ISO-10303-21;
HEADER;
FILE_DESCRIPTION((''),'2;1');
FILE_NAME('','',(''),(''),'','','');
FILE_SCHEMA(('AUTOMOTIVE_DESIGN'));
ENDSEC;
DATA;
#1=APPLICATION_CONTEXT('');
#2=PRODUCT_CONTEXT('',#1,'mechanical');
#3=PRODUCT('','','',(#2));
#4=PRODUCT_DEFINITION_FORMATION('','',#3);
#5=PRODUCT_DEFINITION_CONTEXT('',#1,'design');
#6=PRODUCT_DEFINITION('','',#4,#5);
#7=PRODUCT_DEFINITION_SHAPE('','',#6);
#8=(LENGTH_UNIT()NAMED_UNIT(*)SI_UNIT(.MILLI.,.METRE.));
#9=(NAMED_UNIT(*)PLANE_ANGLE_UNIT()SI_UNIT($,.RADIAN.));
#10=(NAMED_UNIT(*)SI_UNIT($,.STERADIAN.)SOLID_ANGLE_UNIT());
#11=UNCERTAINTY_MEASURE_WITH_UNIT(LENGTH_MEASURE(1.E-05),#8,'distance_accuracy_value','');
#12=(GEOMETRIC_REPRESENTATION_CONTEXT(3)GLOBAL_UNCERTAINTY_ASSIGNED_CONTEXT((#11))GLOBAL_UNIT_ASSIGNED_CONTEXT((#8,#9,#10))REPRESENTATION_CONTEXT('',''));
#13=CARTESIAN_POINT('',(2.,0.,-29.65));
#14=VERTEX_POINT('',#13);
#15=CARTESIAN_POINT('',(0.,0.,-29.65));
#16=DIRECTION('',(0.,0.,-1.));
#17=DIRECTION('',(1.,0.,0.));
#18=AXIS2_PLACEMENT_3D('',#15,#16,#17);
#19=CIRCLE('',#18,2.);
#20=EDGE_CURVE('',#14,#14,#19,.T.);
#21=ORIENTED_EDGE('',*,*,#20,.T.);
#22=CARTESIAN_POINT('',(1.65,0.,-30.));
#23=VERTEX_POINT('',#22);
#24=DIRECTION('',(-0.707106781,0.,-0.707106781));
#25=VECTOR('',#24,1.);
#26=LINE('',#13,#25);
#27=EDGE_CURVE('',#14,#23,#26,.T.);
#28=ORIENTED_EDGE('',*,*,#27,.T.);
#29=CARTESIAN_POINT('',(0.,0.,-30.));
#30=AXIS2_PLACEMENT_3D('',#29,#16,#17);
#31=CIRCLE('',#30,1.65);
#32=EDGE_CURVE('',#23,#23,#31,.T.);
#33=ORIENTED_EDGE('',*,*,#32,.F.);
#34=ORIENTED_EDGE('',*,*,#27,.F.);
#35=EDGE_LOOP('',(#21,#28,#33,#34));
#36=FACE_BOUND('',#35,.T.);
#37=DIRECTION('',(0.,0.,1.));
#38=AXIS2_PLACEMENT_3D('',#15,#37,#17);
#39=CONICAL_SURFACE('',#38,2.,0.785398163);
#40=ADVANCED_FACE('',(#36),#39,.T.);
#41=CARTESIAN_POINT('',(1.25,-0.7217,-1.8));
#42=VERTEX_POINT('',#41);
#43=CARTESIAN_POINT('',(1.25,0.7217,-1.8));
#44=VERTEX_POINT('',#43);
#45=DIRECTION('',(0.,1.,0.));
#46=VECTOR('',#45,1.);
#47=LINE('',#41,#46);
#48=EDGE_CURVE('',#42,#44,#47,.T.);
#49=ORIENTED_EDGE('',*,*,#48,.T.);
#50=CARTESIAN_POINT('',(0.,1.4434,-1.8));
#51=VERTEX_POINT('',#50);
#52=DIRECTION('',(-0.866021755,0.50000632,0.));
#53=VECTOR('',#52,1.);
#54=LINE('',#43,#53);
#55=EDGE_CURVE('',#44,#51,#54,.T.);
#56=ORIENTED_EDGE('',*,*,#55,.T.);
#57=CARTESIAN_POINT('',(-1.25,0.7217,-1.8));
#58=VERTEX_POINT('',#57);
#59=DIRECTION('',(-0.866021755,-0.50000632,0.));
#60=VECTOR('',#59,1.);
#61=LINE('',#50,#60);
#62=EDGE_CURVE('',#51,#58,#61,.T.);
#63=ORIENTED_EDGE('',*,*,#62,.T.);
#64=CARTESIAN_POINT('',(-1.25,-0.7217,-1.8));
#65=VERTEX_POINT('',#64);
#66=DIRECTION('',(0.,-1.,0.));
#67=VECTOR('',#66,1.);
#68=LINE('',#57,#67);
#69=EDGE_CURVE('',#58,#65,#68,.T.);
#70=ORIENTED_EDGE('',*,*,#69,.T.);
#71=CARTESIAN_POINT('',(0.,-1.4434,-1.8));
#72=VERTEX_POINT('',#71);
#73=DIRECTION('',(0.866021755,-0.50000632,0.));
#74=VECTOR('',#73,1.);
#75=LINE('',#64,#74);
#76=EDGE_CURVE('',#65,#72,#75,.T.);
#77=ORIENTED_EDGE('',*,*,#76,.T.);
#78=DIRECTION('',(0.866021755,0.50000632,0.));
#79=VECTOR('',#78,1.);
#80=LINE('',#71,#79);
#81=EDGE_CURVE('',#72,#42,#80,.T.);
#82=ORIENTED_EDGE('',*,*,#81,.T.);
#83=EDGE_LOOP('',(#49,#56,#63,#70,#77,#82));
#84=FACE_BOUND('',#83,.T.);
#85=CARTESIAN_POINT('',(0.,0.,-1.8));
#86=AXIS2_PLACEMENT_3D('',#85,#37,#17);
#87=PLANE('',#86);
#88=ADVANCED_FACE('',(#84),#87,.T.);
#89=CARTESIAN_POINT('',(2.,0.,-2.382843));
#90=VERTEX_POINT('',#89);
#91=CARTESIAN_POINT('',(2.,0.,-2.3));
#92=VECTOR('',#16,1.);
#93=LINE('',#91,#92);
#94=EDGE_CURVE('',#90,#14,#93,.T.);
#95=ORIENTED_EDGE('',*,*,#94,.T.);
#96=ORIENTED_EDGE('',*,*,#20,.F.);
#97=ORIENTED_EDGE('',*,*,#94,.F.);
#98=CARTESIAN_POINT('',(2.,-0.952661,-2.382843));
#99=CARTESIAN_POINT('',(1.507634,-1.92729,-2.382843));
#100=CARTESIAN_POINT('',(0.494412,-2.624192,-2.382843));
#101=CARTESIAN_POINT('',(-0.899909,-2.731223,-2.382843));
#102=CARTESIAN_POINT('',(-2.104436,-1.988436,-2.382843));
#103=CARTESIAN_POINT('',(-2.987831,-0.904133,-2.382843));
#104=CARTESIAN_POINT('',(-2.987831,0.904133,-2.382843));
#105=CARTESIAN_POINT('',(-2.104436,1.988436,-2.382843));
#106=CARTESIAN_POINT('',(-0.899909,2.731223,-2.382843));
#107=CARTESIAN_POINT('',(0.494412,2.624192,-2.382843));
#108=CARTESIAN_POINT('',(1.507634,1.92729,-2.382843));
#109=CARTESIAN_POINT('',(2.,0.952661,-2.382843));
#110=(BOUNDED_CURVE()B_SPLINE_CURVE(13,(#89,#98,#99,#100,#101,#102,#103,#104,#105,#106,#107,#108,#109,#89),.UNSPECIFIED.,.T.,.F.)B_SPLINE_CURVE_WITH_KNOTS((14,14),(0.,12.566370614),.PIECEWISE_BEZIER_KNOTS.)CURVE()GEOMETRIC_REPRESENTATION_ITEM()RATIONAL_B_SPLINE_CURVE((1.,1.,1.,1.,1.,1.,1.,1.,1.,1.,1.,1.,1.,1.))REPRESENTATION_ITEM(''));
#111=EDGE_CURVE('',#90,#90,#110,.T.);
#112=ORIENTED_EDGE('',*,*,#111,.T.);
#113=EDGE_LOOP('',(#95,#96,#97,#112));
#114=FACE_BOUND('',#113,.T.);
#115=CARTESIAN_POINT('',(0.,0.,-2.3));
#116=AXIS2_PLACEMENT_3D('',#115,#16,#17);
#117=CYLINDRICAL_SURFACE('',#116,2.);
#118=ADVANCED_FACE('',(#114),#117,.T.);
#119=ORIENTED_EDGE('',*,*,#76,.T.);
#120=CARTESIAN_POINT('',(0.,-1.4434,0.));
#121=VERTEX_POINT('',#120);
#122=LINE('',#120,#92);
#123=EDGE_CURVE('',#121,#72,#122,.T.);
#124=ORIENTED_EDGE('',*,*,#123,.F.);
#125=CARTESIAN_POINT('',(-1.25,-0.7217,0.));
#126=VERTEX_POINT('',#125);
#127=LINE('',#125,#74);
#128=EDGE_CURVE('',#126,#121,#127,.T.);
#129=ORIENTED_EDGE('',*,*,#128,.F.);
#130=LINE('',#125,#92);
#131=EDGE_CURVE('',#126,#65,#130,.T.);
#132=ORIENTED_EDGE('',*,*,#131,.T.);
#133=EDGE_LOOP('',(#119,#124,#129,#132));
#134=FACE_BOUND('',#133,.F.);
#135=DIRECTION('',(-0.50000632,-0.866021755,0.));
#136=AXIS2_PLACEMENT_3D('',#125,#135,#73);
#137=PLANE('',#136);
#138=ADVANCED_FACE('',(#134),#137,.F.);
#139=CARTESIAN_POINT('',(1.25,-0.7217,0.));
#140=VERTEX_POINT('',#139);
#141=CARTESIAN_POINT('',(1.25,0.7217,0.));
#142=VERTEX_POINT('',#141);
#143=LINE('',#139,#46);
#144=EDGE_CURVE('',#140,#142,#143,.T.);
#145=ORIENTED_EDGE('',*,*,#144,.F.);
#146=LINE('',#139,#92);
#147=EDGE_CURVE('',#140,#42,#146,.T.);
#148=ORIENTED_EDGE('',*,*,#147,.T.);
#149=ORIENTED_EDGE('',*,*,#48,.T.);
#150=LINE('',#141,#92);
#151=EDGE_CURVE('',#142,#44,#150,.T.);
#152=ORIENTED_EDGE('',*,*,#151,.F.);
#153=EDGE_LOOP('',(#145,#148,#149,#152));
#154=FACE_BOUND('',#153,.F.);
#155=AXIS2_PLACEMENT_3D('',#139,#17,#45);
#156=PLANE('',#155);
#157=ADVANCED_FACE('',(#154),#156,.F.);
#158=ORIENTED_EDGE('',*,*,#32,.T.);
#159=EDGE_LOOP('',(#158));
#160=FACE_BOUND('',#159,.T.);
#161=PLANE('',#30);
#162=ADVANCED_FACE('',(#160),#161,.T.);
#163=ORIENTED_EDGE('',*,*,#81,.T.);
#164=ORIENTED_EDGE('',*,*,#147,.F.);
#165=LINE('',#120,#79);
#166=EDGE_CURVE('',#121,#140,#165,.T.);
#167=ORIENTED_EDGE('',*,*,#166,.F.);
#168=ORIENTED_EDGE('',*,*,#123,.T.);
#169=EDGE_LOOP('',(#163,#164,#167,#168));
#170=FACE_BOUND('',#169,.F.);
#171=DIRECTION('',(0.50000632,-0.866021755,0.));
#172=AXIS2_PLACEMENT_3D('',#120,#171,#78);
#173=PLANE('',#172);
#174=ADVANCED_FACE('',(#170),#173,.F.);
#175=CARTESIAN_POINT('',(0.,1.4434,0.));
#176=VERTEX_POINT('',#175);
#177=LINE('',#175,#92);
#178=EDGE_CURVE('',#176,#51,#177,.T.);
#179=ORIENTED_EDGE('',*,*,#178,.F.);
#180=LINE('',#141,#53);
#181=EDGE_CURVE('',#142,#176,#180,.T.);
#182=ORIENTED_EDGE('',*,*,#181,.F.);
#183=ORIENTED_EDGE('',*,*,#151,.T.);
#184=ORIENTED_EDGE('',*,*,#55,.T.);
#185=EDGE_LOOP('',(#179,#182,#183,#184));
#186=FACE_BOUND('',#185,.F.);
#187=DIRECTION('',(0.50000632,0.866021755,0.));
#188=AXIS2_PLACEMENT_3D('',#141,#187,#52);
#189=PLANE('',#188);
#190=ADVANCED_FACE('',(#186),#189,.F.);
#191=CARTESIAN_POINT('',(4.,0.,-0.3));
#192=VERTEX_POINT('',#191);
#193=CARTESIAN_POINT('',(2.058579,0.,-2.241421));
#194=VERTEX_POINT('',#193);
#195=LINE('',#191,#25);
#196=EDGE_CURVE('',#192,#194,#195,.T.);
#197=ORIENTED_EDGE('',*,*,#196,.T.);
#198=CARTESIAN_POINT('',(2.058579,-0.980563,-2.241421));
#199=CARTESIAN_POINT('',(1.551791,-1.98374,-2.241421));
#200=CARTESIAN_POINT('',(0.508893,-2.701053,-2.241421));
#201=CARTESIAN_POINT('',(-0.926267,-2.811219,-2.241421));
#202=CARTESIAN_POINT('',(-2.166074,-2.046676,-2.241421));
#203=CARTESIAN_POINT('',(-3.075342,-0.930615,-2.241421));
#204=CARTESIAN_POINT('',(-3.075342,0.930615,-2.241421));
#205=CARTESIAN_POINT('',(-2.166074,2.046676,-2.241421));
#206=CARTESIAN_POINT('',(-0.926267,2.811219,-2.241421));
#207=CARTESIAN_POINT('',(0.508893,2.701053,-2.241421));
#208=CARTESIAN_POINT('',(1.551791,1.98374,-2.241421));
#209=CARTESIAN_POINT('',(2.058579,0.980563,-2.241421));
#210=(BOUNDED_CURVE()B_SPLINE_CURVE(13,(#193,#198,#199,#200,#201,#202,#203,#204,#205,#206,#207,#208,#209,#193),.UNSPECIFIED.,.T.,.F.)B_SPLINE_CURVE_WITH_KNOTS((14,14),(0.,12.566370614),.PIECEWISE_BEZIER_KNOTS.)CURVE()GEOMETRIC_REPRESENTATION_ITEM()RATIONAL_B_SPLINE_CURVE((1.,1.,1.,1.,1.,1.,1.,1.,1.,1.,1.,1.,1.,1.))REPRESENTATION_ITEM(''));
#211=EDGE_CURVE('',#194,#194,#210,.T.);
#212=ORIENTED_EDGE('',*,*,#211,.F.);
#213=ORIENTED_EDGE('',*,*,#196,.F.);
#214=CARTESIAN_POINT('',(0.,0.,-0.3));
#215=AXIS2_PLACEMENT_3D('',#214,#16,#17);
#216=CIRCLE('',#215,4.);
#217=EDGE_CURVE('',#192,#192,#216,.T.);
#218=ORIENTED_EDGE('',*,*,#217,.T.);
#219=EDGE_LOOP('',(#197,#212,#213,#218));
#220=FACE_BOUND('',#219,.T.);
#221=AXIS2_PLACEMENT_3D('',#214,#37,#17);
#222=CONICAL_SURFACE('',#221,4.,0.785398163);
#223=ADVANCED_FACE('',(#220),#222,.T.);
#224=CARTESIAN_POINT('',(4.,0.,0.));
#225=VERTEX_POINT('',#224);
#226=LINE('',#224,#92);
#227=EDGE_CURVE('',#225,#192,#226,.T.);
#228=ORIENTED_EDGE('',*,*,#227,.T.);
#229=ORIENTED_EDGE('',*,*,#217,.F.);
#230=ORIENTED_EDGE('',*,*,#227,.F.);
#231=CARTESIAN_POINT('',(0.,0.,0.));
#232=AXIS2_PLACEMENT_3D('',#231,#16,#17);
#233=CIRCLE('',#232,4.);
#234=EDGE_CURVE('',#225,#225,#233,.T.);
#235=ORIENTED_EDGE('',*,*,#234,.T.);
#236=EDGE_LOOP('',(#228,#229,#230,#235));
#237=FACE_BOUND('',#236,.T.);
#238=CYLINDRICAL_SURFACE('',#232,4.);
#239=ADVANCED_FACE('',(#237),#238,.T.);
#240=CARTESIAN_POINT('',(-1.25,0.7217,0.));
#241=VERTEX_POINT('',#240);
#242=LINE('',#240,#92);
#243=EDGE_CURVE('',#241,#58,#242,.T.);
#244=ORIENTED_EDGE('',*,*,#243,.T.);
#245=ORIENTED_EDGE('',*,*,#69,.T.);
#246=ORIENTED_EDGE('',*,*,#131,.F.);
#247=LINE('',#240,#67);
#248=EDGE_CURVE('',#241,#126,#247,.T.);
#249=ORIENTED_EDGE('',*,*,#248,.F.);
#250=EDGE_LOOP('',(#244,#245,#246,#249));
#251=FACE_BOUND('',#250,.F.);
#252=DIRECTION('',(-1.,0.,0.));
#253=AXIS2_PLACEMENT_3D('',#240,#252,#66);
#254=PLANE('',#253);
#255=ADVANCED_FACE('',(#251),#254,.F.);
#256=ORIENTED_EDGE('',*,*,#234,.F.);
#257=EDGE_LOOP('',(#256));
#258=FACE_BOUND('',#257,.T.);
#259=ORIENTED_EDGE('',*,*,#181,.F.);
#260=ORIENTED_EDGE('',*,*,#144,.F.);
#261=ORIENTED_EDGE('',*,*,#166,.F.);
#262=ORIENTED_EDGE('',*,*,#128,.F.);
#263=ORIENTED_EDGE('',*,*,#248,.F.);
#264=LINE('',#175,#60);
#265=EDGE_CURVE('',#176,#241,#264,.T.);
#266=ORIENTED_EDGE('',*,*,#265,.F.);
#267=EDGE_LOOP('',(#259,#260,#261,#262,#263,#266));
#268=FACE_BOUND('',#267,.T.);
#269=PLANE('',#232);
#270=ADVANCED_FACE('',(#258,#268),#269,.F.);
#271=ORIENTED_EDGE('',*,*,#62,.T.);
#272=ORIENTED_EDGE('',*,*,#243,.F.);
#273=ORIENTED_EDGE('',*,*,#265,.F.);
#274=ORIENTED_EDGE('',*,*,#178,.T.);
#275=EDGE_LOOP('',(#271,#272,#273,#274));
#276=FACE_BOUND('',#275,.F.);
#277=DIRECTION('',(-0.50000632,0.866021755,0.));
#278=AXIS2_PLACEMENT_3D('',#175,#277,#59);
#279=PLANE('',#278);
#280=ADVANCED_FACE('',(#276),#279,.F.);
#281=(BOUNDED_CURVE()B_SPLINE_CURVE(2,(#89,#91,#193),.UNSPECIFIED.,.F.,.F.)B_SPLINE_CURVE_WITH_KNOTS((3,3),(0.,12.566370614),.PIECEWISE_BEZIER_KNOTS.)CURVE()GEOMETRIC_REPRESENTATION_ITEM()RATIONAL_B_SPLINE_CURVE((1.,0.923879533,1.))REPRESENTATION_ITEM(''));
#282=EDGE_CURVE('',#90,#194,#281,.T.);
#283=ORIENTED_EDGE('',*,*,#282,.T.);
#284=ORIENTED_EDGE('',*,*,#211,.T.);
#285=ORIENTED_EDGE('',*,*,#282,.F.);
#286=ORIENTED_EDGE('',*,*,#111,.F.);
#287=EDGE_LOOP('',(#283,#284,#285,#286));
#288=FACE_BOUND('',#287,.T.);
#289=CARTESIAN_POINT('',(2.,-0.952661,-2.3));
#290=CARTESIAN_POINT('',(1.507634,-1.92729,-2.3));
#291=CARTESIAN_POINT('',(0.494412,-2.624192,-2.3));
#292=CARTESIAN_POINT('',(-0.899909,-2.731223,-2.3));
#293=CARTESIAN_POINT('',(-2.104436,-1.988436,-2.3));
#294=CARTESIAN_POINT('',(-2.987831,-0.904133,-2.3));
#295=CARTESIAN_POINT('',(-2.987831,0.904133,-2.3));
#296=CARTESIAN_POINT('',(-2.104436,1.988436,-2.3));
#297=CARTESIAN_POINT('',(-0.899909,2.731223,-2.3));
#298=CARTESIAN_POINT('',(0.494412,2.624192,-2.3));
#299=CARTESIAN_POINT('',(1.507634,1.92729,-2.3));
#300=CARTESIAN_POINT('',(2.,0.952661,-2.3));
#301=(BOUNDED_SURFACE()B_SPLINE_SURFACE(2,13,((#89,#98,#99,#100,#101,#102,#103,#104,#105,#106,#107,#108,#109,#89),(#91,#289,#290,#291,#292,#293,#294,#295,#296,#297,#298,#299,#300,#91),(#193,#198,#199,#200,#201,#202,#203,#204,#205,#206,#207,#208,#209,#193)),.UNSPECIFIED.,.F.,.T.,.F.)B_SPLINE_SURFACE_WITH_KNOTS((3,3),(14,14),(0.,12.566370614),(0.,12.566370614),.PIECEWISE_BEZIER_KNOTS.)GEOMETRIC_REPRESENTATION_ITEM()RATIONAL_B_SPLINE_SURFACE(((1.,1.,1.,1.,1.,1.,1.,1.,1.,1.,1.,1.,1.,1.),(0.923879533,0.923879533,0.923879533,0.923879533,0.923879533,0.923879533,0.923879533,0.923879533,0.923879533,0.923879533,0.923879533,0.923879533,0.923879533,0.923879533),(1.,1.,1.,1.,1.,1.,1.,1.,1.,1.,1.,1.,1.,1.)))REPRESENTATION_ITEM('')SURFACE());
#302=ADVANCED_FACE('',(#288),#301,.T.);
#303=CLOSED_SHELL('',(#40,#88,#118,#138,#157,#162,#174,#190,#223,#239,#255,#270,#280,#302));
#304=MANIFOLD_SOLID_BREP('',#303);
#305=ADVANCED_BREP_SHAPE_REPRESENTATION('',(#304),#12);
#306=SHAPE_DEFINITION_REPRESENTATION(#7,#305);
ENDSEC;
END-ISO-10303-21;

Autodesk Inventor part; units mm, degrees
ref_plane "YZ Plane" through (0, 0, 0) normal (1, 0, 0) x (0, 1, 0)
sketch "Skizze1" plane through (0, 0, 0) normal (0, 1, 0) x (-1, 0, 0)
  point P0 (0, 0)
sketch "Skizze2" plane through (0, 0, 0) normal (0, 1, 0) x (-1, 0, 0)
  line L0 (-2, -30) -> (0, -30)
  line L1 (-2, -2.3) -> (-2, -30)
  line L2 (-4, -0.3) -> (-2, -2.3)
  line L3 (-4, 0) -> (-4, -0.3)
  line L4 (0, 0) -> (-4, 0)
  line L5 (0, -30) -> (0, 0)
  line L6 (0, -30) -> (0, 0)
  line L7 (0, -36) -> (0, 6) projected
  line L8 (0.8, 0) -> (-4.8, 0) projected
  dimension "d3" = 4
  dimension "d5" = 2
  dimension "d7" = 30
  dimension "ParC" = 0.3
  dimension "d22" = 0
  dimension "d23" = 0
  dimension "d43" = 45
revolve "Drehung1" add sketch "Skizze2" angle 360 about axis through (0, 0, -30) along (0, 0, -1)
sketch "Skizze3" plane through (0, 0, 0) normal (0, 0, 1) x (1, 0, 0)
  line L0 (-1.25, 0.7217) -> (-1.25, -0.7217)
  line L1 (0, 1.4434) -> (-1.25, 0.7217)
  line L2 (1.25, 0.7217) -> (0, 1.4434)
  line L3 (1.25, -0.7217) -> (1.25, 0.7217)
  line L4 (0, -1.4434) -> (1.25, -0.7217)
  line L5 (-1.25, -0.7217) -> (0, -1.4434)
  circle A0 centre (0, 0) radius 1.25 construction
  circle A1 centre (0, 0) radius 2 construction
  dimension "d11" = 2.5
  dimension "d13" = 120
  dimension "d15" = 120
extrude "Extrusion1" cut sketch "Skizze3" against normal blind 1.8
fillet "Rundung1" radius 0.2 1 edges at (-2, 0, -2.3)
chamfer "Fase1" distance 0.35 angle 45 1 edges at (-2, 0, -30) measured on face at (-0.9288, -1.7713, -20.7943)
thread "Gewinde1" size "M4x0.7" class "6g" standard "ISO Metric profile" length 14
ref_plane "MSC_PF1" through (0, 0, 0) normal (1, 0, 0) x (0, 1, 0)
ref_plane "MSC_PT1" through (0, 0, 0) normal (0, 0, -1) x (-1, 0, 0)
equation "\"d3\" = 0.5 * dk"
equation "\"d5\" = 0.5 * NND"
equation "\"d7\" = NLG"
equation "\"d43\" = 0.5 * ang"
equation "\"d11\" = ParS"
equation "\"d16\" = ParT"
equation "\"d18\" = r"
equation "\"d19\" = 0.5 * PTC"
equation "\"d39\" = 0.5 * PTC"
equation "\"NND\" = 4"
equation "\"PTC\" = 0.7"
equation "\"dk\" = 8"
equation "\"ParK\" = 2.3"
equation "\"ParS\" = 2.5"
equation "\"ParT\" = 1.8"
equation "\"r\" = 0.2"
equation "\"NLG\" = 30"
equation "\"ang\" = 90deg"
equation "\"THREADDIA\" = NND"
properties part number "DIN 7991 - M4x30" material "Stahl, weich"
